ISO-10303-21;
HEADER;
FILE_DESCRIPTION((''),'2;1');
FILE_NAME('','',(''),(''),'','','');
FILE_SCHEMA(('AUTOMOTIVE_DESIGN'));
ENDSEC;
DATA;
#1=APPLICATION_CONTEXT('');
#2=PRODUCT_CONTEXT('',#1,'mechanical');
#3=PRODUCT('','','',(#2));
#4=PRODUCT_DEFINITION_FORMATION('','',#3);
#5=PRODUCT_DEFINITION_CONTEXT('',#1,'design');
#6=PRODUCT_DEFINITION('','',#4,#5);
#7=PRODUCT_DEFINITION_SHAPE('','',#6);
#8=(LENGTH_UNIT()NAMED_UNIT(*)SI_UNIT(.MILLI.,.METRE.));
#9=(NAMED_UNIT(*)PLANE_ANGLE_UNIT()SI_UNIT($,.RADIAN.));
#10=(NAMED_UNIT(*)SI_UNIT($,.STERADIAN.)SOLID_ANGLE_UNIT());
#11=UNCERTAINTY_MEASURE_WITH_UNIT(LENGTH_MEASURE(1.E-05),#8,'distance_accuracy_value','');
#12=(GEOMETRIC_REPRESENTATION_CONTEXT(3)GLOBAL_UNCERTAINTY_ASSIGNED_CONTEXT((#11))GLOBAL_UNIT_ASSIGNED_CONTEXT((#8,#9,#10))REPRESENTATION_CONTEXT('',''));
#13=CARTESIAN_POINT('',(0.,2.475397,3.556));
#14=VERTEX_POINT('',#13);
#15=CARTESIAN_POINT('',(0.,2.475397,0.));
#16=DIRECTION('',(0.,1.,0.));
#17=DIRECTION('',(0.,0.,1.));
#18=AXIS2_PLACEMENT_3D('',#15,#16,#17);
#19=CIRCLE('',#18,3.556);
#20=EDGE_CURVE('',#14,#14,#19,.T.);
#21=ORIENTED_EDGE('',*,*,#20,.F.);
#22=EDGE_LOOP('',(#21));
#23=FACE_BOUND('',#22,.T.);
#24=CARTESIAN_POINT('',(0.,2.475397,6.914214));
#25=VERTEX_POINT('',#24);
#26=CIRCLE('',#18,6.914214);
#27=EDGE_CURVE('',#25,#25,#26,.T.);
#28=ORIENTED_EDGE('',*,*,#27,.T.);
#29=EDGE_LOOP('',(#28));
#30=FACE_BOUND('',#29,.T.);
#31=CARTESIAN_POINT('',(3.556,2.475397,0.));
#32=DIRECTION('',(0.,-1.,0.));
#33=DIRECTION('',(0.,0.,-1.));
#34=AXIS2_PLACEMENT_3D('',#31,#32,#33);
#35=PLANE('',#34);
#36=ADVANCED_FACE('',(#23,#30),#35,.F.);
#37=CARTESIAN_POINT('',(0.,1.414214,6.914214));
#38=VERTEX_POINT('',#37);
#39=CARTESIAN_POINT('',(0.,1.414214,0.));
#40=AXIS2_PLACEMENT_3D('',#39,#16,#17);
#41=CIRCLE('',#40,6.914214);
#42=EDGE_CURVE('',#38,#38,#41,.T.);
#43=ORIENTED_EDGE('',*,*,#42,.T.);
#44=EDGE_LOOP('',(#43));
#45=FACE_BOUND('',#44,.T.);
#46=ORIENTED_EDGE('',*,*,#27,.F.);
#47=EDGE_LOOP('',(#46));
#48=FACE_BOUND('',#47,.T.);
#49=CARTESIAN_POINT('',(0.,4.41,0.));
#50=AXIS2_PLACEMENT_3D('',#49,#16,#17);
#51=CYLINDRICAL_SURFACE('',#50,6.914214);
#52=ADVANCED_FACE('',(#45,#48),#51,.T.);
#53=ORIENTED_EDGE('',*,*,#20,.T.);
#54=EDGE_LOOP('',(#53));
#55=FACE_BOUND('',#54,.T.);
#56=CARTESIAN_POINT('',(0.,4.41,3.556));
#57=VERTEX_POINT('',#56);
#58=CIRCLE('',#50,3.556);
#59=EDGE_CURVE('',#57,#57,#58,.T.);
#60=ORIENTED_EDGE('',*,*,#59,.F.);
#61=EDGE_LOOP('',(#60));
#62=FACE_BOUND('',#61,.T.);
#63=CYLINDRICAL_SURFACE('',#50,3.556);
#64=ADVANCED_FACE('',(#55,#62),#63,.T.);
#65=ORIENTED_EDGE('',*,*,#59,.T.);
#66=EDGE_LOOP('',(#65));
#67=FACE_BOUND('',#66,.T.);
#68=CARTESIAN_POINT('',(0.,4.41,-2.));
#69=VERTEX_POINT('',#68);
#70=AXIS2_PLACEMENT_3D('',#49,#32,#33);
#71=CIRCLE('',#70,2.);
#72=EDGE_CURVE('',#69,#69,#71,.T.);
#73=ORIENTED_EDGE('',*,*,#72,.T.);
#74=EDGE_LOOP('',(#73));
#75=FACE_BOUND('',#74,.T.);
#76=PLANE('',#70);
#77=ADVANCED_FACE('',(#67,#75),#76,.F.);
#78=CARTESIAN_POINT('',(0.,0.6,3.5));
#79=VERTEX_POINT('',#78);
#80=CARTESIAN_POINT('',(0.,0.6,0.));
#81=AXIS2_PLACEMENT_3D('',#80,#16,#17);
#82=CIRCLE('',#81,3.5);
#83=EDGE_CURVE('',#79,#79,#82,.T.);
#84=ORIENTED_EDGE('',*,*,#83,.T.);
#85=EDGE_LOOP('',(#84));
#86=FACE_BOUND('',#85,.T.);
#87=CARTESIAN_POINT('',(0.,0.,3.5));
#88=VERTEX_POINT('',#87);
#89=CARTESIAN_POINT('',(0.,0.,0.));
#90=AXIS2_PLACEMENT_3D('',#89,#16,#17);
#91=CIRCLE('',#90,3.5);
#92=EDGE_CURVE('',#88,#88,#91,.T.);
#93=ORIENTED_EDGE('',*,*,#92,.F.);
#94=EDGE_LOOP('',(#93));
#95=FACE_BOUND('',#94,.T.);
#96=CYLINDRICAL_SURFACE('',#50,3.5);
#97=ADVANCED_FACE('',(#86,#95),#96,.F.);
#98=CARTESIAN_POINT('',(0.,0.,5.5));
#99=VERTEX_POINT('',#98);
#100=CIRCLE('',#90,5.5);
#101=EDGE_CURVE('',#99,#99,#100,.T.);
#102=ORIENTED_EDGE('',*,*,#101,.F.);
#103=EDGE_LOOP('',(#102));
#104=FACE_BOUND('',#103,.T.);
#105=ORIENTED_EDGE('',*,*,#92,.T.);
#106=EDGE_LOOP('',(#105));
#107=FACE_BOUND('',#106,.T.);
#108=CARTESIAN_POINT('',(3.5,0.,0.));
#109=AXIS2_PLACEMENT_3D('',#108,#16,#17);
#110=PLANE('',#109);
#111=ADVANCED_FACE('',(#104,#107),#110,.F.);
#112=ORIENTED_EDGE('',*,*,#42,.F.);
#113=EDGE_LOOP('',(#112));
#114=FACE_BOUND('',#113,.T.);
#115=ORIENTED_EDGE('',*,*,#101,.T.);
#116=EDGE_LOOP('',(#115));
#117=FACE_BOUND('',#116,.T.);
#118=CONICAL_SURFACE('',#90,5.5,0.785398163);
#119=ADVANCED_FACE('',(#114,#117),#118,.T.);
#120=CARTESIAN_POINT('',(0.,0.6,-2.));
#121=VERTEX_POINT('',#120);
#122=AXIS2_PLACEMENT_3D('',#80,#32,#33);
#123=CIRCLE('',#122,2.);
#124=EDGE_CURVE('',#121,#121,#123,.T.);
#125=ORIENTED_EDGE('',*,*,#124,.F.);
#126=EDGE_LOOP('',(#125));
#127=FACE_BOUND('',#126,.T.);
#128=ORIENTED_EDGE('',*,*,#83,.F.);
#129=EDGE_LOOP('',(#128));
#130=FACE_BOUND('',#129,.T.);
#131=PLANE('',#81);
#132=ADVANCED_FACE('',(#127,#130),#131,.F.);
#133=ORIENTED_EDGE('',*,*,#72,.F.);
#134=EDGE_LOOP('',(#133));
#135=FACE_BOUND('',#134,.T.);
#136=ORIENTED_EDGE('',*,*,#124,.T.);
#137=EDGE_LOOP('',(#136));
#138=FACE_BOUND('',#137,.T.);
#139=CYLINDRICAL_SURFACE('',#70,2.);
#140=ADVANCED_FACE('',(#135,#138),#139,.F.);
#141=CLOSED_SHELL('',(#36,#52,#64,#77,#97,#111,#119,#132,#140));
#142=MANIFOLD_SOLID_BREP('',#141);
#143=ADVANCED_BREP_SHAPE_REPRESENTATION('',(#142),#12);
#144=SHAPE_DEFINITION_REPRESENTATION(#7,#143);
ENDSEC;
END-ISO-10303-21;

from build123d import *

# Parameters (mm, degrees)
SKETCH2_R          = 2
CUT_EXTRUDE1_DEPTH = 4.81


with BuildPart() as part:
    # Sketch1 → Revolve1 (revolve)
    with BuildSketch(Plane.XY):
        Polygon((0, 0.6), (3.5, 0.6), (3.5, 0), (5.5, 0), (6.914213562, 1.414213562), (6.914213562, 2.475397075), (3.556, 2.475397075), (3.556, 4.41), (0, 4.41), align=None)
    revolve(axis=Axis((0, 4.41, 0), (0, -1, 0)))

    # Sketch2 → Cut-Extrude1 (cut, through all)
    with BuildSketch(Plane.XZ.offset(-0.6)):
        Circle(SKETCH2_R)
    extrude(amount=-CUT_EXTRUDE1_DEPTH, mode=Mode.SUBTRACT)


solid = part.part
